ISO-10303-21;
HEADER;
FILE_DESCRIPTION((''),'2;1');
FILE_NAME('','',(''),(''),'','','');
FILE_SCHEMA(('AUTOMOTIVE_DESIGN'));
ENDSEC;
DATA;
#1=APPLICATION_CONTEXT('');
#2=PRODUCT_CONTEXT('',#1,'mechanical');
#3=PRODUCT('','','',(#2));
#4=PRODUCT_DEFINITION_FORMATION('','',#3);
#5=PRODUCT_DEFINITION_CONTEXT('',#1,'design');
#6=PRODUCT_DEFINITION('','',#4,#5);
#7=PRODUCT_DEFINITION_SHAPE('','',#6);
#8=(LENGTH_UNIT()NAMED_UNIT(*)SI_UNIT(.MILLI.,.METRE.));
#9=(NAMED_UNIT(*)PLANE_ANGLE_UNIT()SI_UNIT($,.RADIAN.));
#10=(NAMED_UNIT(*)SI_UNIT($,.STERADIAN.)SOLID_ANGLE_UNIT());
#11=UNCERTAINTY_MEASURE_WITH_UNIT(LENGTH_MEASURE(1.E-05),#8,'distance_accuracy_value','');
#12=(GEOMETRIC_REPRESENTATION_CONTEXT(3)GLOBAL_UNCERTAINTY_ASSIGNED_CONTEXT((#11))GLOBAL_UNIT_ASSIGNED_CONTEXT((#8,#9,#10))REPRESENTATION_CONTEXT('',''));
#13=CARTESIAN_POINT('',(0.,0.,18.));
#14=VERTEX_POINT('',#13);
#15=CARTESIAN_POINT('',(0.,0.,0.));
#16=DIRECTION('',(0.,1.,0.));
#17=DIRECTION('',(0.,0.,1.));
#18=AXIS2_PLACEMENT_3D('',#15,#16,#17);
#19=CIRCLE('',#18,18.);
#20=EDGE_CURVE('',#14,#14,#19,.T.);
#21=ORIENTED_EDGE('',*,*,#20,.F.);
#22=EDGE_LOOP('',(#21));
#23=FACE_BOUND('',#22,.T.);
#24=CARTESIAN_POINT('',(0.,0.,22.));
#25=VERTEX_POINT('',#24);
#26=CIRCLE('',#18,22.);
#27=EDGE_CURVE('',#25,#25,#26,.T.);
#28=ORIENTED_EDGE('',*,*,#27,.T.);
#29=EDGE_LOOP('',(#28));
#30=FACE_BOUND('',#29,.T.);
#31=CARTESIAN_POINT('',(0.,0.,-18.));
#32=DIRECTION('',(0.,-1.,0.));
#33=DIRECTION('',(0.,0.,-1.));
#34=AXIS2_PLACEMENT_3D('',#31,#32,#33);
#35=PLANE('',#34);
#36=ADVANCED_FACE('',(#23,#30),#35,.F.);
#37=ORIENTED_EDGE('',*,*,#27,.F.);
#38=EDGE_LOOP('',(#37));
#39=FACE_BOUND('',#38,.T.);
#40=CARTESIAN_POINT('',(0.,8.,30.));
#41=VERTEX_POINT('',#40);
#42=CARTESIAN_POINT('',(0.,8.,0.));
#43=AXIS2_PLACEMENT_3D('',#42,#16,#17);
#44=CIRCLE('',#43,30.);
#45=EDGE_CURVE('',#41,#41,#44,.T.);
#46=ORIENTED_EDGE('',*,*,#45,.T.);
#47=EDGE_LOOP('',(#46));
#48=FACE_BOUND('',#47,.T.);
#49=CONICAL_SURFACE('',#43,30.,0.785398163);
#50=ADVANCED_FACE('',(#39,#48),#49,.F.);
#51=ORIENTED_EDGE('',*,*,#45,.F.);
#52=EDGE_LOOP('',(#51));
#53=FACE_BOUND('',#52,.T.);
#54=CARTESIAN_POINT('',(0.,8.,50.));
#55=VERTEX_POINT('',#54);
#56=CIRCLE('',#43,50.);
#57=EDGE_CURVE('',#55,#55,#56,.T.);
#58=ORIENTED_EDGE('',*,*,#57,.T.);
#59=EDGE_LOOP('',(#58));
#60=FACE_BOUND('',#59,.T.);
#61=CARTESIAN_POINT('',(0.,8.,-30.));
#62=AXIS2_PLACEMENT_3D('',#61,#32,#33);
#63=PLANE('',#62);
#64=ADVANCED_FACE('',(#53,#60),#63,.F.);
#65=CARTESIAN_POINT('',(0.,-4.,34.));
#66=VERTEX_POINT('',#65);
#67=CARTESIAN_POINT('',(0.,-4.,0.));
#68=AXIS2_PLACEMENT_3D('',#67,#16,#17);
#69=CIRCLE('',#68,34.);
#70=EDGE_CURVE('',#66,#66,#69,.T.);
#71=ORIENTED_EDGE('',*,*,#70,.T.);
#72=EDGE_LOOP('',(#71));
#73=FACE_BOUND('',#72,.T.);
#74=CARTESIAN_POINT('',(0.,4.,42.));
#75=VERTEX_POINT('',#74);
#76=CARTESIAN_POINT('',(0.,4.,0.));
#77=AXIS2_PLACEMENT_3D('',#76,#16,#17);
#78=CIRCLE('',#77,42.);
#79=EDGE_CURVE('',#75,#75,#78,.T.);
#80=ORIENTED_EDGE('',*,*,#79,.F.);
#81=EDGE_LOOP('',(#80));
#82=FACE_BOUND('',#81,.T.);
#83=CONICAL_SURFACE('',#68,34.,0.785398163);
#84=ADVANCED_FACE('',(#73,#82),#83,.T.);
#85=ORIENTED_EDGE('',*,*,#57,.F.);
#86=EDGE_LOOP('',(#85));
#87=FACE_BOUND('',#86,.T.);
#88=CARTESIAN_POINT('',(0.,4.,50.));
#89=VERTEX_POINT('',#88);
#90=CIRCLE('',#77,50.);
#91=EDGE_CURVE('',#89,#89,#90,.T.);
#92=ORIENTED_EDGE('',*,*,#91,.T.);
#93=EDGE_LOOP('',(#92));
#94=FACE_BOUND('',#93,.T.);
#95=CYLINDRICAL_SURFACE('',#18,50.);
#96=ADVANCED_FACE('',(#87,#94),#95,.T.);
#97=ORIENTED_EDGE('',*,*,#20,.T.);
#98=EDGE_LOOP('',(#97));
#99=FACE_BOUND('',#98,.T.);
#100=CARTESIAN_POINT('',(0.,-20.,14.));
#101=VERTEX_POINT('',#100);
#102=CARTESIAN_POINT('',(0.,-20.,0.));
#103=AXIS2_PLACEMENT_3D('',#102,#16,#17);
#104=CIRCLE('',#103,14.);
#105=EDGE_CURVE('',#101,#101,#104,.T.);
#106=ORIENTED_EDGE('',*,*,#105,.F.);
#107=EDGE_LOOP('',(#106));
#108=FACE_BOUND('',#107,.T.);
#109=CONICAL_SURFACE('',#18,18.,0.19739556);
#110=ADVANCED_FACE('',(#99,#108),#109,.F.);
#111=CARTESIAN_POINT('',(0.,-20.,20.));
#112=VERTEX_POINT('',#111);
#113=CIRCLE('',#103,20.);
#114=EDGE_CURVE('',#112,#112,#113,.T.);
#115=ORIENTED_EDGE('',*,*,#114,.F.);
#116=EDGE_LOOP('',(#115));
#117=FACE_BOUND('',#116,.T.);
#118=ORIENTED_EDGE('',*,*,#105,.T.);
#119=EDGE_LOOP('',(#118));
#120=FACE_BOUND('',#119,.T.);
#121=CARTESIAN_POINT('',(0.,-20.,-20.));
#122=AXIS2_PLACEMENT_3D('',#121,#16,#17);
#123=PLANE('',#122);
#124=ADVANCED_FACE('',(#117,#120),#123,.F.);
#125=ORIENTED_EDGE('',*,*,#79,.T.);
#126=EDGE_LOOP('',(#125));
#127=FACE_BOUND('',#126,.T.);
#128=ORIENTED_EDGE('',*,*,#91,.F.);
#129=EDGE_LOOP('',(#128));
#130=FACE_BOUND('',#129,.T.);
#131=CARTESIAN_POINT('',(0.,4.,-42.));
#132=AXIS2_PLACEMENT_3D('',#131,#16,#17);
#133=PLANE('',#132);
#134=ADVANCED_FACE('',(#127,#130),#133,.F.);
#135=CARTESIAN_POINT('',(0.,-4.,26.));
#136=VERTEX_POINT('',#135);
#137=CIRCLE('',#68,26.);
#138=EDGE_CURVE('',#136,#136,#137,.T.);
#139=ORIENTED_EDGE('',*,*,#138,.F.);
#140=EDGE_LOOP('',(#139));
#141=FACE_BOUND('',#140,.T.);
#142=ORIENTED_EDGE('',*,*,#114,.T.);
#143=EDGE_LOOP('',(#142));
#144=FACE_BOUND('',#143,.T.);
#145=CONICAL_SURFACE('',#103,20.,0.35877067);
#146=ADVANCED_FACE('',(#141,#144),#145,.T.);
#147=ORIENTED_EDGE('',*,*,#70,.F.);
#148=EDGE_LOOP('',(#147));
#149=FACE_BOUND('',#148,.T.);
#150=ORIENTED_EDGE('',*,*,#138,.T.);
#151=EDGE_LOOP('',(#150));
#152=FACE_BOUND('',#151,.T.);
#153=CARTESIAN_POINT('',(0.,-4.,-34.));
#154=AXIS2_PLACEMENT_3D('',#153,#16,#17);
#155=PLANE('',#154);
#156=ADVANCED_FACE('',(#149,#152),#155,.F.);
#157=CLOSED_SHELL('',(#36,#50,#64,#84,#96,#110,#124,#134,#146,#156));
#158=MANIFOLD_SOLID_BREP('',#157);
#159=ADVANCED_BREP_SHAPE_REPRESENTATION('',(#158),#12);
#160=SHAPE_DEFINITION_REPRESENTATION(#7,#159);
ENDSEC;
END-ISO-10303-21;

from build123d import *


with BuildPart() as part:
    # Sketch1 → Revolve1 (revolve)
    with BuildSketch(Plane(origin=(0, 0, 0), x_dir=(0, 0, -1), z_dir=(1, 0, 0)), mode=Mode.PRIVATE) as revolve1_sk:
        Polygon((14, -20), (18, 0), (22, 0), (30, 8), (50, 8), (50, 4), (42, 4), (34, -4), (26, -4), (20, -20), align=None)
    revolve(revolve1_sk.sketch.rotate(Axis((0, 0, 0), (0, -1, 0)), 180), axis=Axis((0, 0, 0), (0, -1, 0)))


solid = part.part
